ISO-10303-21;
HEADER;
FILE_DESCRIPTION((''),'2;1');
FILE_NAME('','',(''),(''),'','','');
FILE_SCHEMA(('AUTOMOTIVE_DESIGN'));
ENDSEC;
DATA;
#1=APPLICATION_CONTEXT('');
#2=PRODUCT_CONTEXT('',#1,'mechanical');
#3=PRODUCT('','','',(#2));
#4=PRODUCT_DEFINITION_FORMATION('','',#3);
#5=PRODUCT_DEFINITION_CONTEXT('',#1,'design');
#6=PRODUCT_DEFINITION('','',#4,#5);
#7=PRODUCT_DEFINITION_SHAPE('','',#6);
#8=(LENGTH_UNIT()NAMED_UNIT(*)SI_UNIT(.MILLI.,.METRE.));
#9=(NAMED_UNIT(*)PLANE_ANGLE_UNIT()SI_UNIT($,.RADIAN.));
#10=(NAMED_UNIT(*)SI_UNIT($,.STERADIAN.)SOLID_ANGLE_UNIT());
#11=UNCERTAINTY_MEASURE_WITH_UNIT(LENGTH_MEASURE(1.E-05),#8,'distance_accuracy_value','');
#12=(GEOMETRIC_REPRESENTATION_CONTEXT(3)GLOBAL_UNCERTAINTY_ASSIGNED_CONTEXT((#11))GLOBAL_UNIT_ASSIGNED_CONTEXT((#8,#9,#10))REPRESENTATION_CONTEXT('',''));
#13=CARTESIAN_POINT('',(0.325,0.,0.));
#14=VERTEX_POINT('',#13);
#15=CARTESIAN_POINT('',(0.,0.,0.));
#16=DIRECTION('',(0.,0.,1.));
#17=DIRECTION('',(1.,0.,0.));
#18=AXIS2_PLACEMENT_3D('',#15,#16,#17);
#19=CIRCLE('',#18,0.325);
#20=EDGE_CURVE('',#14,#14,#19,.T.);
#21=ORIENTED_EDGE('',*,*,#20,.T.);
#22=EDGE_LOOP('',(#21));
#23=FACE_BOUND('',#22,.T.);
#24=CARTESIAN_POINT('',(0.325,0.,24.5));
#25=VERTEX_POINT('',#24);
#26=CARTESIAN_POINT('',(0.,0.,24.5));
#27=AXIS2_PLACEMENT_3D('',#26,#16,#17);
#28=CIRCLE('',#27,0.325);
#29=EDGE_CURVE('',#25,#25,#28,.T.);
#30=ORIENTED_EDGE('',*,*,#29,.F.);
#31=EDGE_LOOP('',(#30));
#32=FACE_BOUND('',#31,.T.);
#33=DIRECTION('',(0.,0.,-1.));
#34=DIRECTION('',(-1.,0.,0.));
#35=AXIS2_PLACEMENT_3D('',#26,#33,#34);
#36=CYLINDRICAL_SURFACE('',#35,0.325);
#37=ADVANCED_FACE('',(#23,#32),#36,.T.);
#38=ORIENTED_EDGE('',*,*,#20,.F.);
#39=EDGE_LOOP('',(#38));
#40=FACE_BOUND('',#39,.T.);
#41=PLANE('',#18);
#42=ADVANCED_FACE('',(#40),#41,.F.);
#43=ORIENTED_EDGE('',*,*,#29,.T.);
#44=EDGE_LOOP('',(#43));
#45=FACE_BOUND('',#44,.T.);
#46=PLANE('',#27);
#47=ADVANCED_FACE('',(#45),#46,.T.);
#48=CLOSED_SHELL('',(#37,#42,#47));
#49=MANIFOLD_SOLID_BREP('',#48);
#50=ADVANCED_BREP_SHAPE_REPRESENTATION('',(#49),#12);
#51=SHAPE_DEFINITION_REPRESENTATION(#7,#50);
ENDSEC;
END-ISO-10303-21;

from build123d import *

# Parameters (mm, degrees)
SKETCH_1_R      = 0.325
EXTRUDE_1_DEPTH = 24.5


with BuildPart() as part:
    # 草图1 → 凸台-拉伸1 (new body)
    with BuildSketch(Plane.XY):
        Circle(SKETCH_1_R)
    extrude(amount=EXTRUDE_1_DEPTH)


solid = part.part
